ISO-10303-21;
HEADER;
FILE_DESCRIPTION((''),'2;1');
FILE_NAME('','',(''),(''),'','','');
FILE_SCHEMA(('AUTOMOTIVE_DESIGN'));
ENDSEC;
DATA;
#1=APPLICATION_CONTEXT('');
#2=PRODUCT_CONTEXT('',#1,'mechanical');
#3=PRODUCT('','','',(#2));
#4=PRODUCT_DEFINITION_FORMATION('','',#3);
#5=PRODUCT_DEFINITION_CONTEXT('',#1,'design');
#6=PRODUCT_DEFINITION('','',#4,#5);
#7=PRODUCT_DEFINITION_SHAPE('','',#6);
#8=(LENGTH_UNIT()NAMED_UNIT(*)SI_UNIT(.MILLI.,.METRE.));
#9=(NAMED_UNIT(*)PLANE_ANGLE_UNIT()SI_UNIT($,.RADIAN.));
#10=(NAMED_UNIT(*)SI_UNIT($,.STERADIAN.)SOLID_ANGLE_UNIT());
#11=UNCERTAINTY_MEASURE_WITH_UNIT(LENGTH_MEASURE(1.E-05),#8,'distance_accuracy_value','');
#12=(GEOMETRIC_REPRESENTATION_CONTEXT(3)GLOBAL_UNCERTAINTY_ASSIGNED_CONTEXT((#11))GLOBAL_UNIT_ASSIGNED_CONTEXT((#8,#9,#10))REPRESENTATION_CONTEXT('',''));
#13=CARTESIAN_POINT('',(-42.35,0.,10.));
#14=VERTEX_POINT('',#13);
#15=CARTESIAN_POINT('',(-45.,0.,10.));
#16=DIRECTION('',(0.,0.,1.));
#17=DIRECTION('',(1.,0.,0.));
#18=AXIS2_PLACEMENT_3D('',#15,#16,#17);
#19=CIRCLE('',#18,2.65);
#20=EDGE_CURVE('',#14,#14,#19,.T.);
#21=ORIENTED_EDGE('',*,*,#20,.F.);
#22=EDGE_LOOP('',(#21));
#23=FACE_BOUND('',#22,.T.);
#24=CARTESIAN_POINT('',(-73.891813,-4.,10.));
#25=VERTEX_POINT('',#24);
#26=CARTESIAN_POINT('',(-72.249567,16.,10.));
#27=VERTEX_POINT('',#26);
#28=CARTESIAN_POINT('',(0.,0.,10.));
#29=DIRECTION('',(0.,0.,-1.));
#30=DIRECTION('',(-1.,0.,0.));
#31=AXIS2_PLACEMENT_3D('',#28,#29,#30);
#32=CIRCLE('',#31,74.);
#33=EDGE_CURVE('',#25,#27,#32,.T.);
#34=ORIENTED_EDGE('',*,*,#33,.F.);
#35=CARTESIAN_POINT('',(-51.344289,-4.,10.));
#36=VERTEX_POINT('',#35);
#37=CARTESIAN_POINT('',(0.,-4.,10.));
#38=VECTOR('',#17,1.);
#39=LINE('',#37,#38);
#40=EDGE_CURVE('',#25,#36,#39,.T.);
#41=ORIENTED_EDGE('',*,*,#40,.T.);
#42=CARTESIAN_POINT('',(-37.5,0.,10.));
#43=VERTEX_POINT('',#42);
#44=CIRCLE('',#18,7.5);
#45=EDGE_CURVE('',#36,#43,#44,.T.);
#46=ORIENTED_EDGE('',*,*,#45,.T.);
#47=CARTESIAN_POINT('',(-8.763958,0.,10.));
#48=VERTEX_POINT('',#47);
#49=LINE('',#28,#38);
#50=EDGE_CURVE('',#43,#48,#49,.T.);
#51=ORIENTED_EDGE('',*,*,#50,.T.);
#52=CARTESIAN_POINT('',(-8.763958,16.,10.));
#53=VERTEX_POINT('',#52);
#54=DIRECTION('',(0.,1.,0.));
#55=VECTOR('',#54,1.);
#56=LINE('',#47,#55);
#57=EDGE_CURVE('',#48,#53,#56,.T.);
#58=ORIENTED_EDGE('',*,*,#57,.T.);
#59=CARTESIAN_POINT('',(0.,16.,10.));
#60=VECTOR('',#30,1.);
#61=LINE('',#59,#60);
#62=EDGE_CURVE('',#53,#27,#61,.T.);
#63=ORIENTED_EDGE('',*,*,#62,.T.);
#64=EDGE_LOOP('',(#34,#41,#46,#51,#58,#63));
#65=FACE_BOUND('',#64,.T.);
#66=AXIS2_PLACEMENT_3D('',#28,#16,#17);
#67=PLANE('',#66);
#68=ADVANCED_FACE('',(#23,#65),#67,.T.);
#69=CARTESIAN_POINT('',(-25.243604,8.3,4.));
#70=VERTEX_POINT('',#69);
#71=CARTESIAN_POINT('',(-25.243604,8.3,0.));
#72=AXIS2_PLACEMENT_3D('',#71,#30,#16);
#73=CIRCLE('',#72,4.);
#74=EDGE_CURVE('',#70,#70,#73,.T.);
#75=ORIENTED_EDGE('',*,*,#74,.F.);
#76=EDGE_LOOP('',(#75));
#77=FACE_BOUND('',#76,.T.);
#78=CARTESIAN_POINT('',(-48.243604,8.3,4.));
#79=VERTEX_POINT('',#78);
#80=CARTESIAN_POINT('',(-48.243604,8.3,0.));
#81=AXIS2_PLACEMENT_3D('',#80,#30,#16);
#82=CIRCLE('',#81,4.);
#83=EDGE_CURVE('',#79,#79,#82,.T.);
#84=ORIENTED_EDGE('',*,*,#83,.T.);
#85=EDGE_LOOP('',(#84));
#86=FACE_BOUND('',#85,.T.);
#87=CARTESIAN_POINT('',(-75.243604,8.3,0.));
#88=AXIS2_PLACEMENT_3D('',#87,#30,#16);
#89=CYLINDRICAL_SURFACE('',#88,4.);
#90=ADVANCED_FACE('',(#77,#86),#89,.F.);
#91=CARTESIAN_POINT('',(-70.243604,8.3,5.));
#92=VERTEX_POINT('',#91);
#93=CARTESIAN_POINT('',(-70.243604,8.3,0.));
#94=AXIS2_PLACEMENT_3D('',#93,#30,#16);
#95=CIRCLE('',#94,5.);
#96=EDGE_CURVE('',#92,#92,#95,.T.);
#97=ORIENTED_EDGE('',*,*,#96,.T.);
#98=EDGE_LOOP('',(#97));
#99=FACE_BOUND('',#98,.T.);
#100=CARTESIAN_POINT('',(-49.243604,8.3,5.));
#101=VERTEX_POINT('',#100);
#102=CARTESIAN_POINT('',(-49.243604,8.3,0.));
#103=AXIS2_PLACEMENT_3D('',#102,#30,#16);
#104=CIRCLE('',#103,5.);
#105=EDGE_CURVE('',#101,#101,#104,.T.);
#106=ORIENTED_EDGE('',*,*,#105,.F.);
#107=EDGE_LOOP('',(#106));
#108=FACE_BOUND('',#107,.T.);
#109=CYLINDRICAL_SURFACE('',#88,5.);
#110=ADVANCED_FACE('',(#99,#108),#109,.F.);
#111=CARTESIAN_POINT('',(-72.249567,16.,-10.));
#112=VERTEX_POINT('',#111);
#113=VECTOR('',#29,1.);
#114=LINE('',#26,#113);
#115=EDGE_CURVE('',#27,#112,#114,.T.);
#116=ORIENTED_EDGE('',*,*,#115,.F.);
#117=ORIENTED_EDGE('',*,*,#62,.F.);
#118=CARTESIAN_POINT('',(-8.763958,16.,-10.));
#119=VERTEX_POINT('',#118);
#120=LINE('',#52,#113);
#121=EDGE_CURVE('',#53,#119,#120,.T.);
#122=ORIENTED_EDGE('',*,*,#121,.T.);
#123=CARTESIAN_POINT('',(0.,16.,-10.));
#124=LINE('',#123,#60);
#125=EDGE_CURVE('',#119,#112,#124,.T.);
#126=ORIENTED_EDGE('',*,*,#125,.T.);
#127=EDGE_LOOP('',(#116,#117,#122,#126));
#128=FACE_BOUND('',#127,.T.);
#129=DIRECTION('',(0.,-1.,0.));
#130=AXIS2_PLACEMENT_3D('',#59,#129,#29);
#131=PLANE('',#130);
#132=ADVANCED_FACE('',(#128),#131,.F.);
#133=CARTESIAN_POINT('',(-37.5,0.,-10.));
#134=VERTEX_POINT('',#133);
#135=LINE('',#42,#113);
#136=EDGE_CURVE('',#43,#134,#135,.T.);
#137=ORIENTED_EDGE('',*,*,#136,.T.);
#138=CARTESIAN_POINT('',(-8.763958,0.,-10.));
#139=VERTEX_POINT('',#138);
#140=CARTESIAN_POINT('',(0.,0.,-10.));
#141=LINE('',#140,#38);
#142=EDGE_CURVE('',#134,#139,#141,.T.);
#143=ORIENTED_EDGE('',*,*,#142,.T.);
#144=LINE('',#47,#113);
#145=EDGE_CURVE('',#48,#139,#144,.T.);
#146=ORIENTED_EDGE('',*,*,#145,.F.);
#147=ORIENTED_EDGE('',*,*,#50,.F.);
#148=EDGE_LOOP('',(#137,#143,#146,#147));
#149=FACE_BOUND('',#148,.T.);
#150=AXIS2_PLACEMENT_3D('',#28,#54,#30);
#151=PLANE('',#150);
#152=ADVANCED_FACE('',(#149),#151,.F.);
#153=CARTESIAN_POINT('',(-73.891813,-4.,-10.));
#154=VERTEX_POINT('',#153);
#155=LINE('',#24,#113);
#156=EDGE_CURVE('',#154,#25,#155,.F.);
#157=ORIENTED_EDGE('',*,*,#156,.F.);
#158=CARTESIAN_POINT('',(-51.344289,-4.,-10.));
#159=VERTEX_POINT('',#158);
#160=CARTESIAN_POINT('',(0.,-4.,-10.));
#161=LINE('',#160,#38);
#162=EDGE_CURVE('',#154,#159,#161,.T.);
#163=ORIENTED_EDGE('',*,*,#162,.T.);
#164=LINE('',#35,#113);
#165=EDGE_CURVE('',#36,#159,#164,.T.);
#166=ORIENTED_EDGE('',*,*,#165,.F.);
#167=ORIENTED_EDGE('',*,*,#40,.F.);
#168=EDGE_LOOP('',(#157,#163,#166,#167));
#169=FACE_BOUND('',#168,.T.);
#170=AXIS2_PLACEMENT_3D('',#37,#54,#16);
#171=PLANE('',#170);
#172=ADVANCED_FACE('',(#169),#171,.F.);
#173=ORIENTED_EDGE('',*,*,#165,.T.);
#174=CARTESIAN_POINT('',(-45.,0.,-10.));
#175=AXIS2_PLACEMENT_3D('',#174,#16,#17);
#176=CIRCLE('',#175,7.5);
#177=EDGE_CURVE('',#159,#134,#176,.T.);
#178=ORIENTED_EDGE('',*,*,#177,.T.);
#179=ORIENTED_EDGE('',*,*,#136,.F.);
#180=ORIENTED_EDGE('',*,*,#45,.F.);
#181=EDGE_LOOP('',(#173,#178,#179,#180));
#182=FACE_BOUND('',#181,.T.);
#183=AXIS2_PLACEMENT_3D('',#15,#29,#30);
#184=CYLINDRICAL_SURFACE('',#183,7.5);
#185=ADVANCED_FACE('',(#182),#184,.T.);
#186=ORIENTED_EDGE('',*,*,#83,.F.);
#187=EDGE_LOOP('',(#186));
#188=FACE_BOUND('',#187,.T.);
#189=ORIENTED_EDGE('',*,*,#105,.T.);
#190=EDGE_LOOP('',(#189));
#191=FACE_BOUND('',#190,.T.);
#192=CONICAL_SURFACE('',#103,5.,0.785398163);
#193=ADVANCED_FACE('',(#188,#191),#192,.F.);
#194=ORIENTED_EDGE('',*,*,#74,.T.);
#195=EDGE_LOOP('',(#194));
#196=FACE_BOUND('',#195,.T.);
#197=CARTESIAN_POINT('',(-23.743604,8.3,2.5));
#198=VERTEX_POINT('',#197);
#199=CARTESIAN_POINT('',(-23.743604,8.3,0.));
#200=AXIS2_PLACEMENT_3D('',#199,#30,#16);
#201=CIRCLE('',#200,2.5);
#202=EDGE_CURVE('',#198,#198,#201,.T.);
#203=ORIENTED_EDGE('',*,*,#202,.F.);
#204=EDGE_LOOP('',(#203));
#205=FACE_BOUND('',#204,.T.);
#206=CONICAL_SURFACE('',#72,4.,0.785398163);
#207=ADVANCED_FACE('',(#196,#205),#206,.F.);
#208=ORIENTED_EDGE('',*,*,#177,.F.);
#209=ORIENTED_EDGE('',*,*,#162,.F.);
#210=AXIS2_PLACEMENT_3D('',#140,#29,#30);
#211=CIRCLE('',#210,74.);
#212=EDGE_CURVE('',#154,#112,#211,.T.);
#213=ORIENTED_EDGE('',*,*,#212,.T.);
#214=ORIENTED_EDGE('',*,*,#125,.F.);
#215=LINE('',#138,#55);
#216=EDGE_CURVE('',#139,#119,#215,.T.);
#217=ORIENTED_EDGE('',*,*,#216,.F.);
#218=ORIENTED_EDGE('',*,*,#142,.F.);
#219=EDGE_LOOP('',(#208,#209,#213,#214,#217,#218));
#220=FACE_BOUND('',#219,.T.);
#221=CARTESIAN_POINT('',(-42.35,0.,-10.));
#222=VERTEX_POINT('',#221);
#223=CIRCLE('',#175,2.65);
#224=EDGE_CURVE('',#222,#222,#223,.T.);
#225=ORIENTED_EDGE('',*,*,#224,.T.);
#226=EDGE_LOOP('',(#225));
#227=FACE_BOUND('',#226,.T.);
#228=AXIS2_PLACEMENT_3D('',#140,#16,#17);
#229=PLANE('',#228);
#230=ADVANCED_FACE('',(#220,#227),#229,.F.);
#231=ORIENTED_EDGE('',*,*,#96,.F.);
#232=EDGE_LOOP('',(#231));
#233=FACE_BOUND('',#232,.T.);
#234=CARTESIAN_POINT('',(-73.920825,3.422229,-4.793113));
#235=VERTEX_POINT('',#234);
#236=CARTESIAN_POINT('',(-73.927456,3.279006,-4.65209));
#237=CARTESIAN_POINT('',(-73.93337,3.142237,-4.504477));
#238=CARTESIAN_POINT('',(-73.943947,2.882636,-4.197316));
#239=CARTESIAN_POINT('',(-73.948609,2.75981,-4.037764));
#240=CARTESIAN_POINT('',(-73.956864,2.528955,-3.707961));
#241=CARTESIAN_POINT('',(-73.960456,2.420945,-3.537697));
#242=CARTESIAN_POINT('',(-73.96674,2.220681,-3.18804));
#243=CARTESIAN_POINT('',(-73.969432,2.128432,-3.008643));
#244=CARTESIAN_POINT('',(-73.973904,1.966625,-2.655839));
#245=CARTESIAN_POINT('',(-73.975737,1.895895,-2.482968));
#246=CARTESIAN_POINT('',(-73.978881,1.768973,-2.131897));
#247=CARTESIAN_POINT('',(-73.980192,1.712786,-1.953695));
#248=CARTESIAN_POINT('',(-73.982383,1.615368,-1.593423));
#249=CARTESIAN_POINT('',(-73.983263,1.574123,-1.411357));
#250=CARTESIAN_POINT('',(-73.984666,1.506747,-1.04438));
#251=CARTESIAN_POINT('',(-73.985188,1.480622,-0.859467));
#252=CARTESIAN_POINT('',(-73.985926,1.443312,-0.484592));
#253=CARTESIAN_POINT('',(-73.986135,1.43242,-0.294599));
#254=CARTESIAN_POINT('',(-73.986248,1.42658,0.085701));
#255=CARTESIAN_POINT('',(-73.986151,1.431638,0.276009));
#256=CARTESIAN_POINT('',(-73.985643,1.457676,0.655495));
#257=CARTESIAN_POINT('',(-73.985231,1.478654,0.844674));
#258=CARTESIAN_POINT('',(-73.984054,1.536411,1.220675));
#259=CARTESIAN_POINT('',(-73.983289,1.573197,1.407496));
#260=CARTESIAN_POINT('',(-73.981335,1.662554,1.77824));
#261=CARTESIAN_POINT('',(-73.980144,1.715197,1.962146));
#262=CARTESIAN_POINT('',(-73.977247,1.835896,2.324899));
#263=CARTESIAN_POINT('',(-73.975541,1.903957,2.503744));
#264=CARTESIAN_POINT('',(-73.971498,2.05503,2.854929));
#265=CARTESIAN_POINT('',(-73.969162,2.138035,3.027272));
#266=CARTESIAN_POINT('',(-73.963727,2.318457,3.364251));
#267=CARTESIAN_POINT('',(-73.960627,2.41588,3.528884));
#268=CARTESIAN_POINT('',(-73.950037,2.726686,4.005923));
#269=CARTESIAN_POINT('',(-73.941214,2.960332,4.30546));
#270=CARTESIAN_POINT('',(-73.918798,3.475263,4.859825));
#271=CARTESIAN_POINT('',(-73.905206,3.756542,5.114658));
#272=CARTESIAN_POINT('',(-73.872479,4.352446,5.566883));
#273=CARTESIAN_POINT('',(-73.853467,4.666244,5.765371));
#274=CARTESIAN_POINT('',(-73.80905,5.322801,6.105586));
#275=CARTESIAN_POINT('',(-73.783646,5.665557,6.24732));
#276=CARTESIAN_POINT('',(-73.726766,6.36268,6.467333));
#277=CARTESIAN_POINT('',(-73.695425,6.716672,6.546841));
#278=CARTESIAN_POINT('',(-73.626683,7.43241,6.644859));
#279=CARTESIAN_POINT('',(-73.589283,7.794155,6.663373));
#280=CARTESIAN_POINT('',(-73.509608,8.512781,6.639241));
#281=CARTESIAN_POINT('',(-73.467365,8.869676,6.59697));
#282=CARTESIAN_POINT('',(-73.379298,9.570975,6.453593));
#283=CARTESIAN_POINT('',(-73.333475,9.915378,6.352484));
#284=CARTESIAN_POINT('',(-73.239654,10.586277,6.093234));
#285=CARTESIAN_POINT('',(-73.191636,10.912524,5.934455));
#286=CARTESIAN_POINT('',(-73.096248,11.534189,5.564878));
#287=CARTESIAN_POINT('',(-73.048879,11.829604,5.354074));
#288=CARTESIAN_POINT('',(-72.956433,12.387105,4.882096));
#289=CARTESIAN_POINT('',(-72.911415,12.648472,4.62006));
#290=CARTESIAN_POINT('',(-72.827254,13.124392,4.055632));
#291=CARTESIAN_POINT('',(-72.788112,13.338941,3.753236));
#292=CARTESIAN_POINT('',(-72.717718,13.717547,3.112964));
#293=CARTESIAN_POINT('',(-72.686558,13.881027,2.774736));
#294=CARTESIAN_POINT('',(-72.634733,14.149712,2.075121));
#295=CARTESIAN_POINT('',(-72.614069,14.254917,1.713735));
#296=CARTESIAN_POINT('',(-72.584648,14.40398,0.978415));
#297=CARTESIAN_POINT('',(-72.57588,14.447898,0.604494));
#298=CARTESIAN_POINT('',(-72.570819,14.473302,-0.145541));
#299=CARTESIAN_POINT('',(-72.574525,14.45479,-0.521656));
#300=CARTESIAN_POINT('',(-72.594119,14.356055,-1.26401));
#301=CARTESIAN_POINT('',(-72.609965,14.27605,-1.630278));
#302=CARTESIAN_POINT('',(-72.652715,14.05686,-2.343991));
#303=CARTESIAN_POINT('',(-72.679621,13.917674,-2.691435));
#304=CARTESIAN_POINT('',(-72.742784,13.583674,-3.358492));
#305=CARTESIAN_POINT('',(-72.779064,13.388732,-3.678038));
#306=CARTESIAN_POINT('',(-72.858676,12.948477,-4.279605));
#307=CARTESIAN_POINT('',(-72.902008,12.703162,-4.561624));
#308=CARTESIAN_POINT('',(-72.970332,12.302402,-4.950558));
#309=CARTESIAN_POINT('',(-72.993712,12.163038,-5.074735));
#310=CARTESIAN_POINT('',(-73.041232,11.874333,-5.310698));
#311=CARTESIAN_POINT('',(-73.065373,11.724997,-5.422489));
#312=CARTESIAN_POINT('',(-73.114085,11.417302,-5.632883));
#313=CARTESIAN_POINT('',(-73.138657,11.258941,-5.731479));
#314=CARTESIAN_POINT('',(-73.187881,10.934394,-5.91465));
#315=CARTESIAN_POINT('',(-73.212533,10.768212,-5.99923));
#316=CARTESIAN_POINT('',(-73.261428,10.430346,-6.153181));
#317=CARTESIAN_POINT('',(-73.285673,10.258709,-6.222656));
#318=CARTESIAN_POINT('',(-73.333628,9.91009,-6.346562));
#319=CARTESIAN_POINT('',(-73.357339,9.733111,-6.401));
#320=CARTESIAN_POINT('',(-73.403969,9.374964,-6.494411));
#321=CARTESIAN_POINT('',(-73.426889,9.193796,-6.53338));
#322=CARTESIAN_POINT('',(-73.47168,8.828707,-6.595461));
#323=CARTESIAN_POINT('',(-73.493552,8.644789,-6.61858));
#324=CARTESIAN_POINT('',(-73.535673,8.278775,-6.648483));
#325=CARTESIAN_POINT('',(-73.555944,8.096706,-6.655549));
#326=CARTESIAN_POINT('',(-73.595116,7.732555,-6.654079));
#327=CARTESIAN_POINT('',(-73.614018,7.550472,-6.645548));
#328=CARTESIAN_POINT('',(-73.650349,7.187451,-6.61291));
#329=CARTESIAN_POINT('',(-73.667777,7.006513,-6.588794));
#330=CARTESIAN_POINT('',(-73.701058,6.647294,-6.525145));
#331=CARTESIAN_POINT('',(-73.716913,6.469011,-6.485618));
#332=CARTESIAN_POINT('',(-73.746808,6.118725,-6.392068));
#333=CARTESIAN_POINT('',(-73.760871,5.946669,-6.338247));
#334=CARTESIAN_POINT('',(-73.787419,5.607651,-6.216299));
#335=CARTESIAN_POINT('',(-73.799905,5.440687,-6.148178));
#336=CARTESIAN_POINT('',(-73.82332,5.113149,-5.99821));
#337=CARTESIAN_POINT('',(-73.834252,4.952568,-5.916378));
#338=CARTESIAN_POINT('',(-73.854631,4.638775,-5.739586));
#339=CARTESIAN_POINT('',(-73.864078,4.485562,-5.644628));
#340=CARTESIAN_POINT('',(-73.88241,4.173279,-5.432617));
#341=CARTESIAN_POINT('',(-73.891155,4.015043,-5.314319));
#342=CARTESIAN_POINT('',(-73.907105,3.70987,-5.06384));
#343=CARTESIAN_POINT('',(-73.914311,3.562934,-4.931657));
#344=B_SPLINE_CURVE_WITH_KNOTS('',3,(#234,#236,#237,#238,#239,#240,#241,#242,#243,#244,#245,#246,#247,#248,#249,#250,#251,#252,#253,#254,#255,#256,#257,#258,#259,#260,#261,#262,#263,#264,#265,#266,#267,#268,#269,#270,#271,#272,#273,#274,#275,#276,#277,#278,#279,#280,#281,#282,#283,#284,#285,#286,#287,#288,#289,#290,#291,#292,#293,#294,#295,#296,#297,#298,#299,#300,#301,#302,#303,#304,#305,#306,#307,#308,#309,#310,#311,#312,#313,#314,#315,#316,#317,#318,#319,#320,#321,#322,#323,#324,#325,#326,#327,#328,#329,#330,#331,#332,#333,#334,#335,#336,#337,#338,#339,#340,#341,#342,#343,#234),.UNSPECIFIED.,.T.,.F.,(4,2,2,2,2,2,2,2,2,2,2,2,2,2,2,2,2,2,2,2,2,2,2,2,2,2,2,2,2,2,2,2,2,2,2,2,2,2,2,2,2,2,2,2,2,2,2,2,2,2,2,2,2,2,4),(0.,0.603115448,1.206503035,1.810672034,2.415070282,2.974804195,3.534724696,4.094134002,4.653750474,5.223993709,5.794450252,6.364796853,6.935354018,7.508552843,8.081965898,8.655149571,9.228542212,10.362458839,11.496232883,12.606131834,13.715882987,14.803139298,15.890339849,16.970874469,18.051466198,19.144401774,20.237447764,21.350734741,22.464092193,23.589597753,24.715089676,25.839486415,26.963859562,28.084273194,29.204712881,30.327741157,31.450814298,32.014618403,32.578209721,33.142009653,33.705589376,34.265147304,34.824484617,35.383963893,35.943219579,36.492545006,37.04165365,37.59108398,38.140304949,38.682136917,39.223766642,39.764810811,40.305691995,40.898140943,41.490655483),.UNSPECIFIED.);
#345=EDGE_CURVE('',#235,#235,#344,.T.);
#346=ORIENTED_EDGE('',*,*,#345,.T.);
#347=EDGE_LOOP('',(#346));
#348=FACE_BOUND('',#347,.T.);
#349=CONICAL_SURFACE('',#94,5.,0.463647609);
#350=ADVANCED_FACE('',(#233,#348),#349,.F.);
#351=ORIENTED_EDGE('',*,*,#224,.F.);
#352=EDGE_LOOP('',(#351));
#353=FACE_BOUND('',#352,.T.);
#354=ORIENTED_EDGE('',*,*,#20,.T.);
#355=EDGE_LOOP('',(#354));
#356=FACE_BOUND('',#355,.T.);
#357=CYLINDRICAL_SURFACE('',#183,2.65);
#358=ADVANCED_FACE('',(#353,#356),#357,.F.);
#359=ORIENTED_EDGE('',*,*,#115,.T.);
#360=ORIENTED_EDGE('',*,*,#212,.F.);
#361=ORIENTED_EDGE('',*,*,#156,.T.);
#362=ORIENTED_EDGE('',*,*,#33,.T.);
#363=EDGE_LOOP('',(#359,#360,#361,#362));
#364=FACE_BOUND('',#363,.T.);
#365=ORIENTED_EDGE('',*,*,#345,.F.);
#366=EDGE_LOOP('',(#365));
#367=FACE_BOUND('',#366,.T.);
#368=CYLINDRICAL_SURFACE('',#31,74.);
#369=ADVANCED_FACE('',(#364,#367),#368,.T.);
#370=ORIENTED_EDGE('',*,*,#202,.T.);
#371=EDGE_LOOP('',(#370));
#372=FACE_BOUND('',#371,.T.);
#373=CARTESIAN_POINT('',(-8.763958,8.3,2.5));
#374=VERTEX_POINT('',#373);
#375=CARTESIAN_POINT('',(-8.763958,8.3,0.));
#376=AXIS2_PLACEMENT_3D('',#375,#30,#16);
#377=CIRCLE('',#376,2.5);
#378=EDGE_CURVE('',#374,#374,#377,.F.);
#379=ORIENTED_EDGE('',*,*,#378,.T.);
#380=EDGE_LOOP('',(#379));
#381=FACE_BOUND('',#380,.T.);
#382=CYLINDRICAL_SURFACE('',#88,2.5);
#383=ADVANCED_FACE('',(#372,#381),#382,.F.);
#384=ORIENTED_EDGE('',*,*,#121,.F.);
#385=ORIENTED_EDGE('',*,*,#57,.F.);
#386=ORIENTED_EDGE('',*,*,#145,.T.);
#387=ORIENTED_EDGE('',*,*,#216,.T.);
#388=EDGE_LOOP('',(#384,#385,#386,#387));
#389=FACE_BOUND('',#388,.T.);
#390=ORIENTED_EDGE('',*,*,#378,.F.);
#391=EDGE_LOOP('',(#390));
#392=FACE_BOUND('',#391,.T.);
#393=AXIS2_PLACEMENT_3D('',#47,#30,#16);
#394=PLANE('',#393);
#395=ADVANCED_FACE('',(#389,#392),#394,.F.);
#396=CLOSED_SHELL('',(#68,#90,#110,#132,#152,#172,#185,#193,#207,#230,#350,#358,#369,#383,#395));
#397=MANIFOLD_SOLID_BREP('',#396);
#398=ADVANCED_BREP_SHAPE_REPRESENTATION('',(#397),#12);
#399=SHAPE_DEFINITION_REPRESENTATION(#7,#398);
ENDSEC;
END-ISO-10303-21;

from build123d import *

# Parameters (mm, degrees)
SKETCH2_R           = 2.65
BOSS_EXTRUDE1_DEPTH = 10
SKETCH4_R           = 75.7
SKETCH4_R_2         = 74
CUT_EXTRUDE5_DEPTH  = 80.915518032
SKETCH5_W           = 3
SKETCH5_H           = 16
CUT_EXTRUDE6_DEPTH  = 79.307087942


with BuildPart() as part:
    # Sketch2 → Boss-Extrude1 (new, symmetric)
    with BuildSketch(Plane.XY):
        with BuildLine():
            ThreePointArc((-73.989796594, 16), (-75.457580373, 6.053392794), (-75.594245813, -4))
            Line((-75.594245813, -4), (-51.34428877, -4))
            ThreePointArc((-51.34428877, -4), (-42.918193786, -7.205281597), (-37.5, 0))
            Line((-37.5, 0), (-5.763957799, 0))
            Line((-5.763957799, 0), (-5.763957799, 16))
            Line((-5.763957799, 16), (-73.989796594, 16))
        make_face()
        with Locations((-45, 0)):
            Circle(SKETCH2_R, mode=Mode.SUBTRACT)
    extrude(amount=BOSS_EXTRUDE1_DEPTH, both=True)

    # Sketch3 → Cut-Revolve1 (revolve, cut)
    with BuildSketch(Plane.XY, mode=Mode.PRIVATE) as cut_revolve1_sk:
        Polygon((-76.243604379, 8.3), (-75.243604379, 8.3), (-55.276091822, 8.3), (11.256395621, 8.3), (11.256395621, 10.8), (-23.743604379, 10.8), (-25.243604379, 12.3), (-48.243604379, 12.3), (-49.243604379, 13.3), (-70.243604379, 13.3), (-76.243604379, 13.3), align=None)
        Polygon((-76.243604379, 16.3), (-76.243604379, 13.3), (-70.243604379, 13.3), align=None)
    revolve(cut_revolve1_sk.sketch.rotate(Axis((-75.243604379, 8.3, 0), (1, 0, 0)), 90), axis=Axis((-75.243604379, 8.3, 0), (1, 0, 0)), mode=Mode.SUBTRACT)

    # Sketch4 → Cut-Extrude5 (cut, through all)
    with BuildSketch(Plane(origin=(0, 0, -10), x_dir=(-1, 0, 0), z_dir=(0, 0, -1))):
        Circle(SKETCH4_R)
        Circle(SKETCH4_R_2, mode=Mode.SUBTRACT)
    extrude(amount=-CUT_EXTRUDE5_DEPTH, mode=Mode.SUBTRACT)

    # Sketch5 → Cut-Extrude6 (cut, through all)
    with BuildSketch(Plane(origin=(0, 0, -10), x_dir=(-1, 0, 0), z_dir=(0, 0, -1))):
        with Locations((7.263957799, 8)):
            Rectangle(SKETCH5_W, SKETCH5_H)
    extrude(amount=-CUT_EXTRUDE6_DEPTH, mode=Mode.SUBTRACT)


solid = part.part
